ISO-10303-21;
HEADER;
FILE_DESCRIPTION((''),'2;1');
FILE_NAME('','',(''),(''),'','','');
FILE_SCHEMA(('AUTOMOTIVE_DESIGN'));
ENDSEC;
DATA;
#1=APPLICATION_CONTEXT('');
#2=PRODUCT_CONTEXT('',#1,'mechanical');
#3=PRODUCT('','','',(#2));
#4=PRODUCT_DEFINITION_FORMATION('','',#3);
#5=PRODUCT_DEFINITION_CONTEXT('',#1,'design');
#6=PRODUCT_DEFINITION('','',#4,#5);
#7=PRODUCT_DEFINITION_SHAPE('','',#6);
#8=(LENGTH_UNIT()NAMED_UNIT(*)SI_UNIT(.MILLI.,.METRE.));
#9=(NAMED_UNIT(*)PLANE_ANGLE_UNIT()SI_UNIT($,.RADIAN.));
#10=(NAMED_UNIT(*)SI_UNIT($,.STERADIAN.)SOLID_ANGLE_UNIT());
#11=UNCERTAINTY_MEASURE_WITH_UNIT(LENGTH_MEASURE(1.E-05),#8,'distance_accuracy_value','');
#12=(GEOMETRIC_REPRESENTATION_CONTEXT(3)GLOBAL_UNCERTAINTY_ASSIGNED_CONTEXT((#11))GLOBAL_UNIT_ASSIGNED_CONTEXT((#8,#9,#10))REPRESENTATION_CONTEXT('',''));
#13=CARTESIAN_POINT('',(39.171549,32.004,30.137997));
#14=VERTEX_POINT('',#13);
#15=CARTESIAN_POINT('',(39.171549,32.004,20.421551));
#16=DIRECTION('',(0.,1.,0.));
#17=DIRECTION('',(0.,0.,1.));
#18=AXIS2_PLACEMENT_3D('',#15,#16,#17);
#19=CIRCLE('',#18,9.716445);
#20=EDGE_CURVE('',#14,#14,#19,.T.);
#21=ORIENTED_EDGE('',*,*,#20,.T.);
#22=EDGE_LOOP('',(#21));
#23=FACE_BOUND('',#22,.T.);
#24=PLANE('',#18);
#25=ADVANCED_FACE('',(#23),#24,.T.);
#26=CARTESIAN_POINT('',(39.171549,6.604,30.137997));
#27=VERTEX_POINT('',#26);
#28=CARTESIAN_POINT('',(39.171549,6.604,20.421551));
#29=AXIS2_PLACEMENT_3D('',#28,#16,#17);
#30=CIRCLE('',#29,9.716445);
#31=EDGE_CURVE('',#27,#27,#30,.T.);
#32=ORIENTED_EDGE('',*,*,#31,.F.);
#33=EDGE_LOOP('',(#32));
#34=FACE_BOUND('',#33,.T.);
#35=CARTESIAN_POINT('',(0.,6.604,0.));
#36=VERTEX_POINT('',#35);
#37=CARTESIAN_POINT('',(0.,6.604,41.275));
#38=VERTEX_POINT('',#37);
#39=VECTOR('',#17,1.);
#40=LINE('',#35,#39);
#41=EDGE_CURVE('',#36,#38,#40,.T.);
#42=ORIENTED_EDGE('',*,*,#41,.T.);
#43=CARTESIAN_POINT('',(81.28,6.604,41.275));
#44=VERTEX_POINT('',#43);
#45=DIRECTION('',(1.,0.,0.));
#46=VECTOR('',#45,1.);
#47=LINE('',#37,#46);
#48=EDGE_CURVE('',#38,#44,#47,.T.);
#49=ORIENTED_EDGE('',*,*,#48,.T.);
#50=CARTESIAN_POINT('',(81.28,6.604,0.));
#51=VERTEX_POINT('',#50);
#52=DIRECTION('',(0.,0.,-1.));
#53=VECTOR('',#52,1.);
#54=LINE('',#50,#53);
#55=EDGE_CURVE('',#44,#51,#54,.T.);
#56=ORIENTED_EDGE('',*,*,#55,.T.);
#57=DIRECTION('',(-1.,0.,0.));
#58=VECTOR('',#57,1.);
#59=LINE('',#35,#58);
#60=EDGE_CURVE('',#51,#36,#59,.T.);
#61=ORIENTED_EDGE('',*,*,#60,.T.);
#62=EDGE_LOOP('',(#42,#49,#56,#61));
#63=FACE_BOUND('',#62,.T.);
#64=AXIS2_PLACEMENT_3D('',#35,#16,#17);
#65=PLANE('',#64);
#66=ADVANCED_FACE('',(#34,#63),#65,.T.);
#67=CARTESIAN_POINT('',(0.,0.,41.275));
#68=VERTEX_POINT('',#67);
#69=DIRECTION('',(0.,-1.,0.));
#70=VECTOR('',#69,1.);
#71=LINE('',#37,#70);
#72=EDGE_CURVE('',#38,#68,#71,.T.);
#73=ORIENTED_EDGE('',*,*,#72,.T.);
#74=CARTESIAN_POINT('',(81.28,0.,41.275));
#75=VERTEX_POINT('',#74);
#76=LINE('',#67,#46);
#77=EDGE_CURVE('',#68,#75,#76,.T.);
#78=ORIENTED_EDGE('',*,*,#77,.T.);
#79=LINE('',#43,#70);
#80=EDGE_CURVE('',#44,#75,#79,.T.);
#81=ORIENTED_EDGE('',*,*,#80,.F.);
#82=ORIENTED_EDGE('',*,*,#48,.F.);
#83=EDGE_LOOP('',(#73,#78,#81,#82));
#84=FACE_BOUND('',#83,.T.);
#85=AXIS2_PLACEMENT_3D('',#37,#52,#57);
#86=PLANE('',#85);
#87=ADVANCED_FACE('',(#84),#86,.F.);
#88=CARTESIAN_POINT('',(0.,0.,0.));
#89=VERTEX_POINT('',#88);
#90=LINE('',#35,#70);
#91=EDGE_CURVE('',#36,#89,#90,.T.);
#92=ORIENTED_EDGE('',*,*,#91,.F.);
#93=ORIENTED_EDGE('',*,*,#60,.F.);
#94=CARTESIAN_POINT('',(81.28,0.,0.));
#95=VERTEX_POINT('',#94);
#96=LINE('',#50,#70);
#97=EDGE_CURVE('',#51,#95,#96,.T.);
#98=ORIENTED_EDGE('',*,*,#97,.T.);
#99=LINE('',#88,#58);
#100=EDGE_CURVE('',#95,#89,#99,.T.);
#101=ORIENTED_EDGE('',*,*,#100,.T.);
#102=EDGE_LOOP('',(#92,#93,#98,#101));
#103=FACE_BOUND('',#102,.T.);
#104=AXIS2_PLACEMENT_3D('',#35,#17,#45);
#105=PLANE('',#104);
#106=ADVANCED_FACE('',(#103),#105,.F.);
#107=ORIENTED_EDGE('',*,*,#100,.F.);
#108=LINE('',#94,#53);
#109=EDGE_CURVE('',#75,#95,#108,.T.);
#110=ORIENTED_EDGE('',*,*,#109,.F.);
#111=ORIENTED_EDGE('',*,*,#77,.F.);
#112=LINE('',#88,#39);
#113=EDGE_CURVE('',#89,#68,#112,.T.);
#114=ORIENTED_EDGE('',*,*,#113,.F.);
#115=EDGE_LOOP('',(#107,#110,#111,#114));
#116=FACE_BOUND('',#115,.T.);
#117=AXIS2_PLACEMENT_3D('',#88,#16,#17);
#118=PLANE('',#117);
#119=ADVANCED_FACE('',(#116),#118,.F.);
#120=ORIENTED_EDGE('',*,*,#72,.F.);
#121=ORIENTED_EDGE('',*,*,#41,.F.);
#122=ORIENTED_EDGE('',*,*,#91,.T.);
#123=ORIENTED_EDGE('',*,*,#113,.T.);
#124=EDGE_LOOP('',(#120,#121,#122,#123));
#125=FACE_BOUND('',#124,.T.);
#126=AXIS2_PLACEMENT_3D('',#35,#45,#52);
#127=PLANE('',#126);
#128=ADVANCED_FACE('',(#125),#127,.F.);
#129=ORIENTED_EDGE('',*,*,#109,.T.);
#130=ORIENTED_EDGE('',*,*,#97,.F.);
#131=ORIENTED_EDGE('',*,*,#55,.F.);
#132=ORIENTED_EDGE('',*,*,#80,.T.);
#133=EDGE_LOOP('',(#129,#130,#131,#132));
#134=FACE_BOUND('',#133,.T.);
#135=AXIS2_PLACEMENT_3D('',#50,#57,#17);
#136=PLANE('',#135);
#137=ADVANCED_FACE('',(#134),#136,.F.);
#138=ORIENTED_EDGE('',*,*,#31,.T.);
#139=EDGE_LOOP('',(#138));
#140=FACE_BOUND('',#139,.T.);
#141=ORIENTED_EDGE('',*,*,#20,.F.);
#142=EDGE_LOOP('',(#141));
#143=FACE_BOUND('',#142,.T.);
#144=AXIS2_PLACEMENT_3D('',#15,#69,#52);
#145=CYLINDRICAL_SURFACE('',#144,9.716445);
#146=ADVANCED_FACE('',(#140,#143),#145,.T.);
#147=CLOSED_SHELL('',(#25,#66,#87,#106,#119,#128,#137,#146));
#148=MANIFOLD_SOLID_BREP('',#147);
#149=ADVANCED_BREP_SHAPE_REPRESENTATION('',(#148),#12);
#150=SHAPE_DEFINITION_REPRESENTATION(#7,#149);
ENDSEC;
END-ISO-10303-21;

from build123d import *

# Parameters (mm, degrees)
SKETCH1_W           = 81.28
SKETCH1_H           = 41.275
BOSS_EXTRUDE1_DEPTH = 6.604
SKETCH2_R           = 9.71644534
BOSS_EXTRUDE2_DEPTH = 25.4


with BuildPart() as part:
    # Sketch1 → Boss-Extrude1 (new body)
    with BuildSketch(Plane(origin=(0, 0, 0), x_dir=(1, 0, 0), z_dir=(0, 1, 0))):
        with Locations((40.64, -20.6375)):
            Rectangle(SKETCH1_W, SKETCH1_H)
    extrude(amount=BOSS_EXTRUDE1_DEPTH)

    # Sketch2 → Boss-Extrude2 (add)
    with BuildSketch(Plane(origin=(0, 6.604, 0), x_dir=(1, 0, 0), z_dir=(0, 1, 0))):
        with Locations((39.171548595, -20.421551264)):
            Circle(SKETCH2_R)
    extrude(amount=BOSS_EXTRUDE2_DEPTH)


solid = part.part
